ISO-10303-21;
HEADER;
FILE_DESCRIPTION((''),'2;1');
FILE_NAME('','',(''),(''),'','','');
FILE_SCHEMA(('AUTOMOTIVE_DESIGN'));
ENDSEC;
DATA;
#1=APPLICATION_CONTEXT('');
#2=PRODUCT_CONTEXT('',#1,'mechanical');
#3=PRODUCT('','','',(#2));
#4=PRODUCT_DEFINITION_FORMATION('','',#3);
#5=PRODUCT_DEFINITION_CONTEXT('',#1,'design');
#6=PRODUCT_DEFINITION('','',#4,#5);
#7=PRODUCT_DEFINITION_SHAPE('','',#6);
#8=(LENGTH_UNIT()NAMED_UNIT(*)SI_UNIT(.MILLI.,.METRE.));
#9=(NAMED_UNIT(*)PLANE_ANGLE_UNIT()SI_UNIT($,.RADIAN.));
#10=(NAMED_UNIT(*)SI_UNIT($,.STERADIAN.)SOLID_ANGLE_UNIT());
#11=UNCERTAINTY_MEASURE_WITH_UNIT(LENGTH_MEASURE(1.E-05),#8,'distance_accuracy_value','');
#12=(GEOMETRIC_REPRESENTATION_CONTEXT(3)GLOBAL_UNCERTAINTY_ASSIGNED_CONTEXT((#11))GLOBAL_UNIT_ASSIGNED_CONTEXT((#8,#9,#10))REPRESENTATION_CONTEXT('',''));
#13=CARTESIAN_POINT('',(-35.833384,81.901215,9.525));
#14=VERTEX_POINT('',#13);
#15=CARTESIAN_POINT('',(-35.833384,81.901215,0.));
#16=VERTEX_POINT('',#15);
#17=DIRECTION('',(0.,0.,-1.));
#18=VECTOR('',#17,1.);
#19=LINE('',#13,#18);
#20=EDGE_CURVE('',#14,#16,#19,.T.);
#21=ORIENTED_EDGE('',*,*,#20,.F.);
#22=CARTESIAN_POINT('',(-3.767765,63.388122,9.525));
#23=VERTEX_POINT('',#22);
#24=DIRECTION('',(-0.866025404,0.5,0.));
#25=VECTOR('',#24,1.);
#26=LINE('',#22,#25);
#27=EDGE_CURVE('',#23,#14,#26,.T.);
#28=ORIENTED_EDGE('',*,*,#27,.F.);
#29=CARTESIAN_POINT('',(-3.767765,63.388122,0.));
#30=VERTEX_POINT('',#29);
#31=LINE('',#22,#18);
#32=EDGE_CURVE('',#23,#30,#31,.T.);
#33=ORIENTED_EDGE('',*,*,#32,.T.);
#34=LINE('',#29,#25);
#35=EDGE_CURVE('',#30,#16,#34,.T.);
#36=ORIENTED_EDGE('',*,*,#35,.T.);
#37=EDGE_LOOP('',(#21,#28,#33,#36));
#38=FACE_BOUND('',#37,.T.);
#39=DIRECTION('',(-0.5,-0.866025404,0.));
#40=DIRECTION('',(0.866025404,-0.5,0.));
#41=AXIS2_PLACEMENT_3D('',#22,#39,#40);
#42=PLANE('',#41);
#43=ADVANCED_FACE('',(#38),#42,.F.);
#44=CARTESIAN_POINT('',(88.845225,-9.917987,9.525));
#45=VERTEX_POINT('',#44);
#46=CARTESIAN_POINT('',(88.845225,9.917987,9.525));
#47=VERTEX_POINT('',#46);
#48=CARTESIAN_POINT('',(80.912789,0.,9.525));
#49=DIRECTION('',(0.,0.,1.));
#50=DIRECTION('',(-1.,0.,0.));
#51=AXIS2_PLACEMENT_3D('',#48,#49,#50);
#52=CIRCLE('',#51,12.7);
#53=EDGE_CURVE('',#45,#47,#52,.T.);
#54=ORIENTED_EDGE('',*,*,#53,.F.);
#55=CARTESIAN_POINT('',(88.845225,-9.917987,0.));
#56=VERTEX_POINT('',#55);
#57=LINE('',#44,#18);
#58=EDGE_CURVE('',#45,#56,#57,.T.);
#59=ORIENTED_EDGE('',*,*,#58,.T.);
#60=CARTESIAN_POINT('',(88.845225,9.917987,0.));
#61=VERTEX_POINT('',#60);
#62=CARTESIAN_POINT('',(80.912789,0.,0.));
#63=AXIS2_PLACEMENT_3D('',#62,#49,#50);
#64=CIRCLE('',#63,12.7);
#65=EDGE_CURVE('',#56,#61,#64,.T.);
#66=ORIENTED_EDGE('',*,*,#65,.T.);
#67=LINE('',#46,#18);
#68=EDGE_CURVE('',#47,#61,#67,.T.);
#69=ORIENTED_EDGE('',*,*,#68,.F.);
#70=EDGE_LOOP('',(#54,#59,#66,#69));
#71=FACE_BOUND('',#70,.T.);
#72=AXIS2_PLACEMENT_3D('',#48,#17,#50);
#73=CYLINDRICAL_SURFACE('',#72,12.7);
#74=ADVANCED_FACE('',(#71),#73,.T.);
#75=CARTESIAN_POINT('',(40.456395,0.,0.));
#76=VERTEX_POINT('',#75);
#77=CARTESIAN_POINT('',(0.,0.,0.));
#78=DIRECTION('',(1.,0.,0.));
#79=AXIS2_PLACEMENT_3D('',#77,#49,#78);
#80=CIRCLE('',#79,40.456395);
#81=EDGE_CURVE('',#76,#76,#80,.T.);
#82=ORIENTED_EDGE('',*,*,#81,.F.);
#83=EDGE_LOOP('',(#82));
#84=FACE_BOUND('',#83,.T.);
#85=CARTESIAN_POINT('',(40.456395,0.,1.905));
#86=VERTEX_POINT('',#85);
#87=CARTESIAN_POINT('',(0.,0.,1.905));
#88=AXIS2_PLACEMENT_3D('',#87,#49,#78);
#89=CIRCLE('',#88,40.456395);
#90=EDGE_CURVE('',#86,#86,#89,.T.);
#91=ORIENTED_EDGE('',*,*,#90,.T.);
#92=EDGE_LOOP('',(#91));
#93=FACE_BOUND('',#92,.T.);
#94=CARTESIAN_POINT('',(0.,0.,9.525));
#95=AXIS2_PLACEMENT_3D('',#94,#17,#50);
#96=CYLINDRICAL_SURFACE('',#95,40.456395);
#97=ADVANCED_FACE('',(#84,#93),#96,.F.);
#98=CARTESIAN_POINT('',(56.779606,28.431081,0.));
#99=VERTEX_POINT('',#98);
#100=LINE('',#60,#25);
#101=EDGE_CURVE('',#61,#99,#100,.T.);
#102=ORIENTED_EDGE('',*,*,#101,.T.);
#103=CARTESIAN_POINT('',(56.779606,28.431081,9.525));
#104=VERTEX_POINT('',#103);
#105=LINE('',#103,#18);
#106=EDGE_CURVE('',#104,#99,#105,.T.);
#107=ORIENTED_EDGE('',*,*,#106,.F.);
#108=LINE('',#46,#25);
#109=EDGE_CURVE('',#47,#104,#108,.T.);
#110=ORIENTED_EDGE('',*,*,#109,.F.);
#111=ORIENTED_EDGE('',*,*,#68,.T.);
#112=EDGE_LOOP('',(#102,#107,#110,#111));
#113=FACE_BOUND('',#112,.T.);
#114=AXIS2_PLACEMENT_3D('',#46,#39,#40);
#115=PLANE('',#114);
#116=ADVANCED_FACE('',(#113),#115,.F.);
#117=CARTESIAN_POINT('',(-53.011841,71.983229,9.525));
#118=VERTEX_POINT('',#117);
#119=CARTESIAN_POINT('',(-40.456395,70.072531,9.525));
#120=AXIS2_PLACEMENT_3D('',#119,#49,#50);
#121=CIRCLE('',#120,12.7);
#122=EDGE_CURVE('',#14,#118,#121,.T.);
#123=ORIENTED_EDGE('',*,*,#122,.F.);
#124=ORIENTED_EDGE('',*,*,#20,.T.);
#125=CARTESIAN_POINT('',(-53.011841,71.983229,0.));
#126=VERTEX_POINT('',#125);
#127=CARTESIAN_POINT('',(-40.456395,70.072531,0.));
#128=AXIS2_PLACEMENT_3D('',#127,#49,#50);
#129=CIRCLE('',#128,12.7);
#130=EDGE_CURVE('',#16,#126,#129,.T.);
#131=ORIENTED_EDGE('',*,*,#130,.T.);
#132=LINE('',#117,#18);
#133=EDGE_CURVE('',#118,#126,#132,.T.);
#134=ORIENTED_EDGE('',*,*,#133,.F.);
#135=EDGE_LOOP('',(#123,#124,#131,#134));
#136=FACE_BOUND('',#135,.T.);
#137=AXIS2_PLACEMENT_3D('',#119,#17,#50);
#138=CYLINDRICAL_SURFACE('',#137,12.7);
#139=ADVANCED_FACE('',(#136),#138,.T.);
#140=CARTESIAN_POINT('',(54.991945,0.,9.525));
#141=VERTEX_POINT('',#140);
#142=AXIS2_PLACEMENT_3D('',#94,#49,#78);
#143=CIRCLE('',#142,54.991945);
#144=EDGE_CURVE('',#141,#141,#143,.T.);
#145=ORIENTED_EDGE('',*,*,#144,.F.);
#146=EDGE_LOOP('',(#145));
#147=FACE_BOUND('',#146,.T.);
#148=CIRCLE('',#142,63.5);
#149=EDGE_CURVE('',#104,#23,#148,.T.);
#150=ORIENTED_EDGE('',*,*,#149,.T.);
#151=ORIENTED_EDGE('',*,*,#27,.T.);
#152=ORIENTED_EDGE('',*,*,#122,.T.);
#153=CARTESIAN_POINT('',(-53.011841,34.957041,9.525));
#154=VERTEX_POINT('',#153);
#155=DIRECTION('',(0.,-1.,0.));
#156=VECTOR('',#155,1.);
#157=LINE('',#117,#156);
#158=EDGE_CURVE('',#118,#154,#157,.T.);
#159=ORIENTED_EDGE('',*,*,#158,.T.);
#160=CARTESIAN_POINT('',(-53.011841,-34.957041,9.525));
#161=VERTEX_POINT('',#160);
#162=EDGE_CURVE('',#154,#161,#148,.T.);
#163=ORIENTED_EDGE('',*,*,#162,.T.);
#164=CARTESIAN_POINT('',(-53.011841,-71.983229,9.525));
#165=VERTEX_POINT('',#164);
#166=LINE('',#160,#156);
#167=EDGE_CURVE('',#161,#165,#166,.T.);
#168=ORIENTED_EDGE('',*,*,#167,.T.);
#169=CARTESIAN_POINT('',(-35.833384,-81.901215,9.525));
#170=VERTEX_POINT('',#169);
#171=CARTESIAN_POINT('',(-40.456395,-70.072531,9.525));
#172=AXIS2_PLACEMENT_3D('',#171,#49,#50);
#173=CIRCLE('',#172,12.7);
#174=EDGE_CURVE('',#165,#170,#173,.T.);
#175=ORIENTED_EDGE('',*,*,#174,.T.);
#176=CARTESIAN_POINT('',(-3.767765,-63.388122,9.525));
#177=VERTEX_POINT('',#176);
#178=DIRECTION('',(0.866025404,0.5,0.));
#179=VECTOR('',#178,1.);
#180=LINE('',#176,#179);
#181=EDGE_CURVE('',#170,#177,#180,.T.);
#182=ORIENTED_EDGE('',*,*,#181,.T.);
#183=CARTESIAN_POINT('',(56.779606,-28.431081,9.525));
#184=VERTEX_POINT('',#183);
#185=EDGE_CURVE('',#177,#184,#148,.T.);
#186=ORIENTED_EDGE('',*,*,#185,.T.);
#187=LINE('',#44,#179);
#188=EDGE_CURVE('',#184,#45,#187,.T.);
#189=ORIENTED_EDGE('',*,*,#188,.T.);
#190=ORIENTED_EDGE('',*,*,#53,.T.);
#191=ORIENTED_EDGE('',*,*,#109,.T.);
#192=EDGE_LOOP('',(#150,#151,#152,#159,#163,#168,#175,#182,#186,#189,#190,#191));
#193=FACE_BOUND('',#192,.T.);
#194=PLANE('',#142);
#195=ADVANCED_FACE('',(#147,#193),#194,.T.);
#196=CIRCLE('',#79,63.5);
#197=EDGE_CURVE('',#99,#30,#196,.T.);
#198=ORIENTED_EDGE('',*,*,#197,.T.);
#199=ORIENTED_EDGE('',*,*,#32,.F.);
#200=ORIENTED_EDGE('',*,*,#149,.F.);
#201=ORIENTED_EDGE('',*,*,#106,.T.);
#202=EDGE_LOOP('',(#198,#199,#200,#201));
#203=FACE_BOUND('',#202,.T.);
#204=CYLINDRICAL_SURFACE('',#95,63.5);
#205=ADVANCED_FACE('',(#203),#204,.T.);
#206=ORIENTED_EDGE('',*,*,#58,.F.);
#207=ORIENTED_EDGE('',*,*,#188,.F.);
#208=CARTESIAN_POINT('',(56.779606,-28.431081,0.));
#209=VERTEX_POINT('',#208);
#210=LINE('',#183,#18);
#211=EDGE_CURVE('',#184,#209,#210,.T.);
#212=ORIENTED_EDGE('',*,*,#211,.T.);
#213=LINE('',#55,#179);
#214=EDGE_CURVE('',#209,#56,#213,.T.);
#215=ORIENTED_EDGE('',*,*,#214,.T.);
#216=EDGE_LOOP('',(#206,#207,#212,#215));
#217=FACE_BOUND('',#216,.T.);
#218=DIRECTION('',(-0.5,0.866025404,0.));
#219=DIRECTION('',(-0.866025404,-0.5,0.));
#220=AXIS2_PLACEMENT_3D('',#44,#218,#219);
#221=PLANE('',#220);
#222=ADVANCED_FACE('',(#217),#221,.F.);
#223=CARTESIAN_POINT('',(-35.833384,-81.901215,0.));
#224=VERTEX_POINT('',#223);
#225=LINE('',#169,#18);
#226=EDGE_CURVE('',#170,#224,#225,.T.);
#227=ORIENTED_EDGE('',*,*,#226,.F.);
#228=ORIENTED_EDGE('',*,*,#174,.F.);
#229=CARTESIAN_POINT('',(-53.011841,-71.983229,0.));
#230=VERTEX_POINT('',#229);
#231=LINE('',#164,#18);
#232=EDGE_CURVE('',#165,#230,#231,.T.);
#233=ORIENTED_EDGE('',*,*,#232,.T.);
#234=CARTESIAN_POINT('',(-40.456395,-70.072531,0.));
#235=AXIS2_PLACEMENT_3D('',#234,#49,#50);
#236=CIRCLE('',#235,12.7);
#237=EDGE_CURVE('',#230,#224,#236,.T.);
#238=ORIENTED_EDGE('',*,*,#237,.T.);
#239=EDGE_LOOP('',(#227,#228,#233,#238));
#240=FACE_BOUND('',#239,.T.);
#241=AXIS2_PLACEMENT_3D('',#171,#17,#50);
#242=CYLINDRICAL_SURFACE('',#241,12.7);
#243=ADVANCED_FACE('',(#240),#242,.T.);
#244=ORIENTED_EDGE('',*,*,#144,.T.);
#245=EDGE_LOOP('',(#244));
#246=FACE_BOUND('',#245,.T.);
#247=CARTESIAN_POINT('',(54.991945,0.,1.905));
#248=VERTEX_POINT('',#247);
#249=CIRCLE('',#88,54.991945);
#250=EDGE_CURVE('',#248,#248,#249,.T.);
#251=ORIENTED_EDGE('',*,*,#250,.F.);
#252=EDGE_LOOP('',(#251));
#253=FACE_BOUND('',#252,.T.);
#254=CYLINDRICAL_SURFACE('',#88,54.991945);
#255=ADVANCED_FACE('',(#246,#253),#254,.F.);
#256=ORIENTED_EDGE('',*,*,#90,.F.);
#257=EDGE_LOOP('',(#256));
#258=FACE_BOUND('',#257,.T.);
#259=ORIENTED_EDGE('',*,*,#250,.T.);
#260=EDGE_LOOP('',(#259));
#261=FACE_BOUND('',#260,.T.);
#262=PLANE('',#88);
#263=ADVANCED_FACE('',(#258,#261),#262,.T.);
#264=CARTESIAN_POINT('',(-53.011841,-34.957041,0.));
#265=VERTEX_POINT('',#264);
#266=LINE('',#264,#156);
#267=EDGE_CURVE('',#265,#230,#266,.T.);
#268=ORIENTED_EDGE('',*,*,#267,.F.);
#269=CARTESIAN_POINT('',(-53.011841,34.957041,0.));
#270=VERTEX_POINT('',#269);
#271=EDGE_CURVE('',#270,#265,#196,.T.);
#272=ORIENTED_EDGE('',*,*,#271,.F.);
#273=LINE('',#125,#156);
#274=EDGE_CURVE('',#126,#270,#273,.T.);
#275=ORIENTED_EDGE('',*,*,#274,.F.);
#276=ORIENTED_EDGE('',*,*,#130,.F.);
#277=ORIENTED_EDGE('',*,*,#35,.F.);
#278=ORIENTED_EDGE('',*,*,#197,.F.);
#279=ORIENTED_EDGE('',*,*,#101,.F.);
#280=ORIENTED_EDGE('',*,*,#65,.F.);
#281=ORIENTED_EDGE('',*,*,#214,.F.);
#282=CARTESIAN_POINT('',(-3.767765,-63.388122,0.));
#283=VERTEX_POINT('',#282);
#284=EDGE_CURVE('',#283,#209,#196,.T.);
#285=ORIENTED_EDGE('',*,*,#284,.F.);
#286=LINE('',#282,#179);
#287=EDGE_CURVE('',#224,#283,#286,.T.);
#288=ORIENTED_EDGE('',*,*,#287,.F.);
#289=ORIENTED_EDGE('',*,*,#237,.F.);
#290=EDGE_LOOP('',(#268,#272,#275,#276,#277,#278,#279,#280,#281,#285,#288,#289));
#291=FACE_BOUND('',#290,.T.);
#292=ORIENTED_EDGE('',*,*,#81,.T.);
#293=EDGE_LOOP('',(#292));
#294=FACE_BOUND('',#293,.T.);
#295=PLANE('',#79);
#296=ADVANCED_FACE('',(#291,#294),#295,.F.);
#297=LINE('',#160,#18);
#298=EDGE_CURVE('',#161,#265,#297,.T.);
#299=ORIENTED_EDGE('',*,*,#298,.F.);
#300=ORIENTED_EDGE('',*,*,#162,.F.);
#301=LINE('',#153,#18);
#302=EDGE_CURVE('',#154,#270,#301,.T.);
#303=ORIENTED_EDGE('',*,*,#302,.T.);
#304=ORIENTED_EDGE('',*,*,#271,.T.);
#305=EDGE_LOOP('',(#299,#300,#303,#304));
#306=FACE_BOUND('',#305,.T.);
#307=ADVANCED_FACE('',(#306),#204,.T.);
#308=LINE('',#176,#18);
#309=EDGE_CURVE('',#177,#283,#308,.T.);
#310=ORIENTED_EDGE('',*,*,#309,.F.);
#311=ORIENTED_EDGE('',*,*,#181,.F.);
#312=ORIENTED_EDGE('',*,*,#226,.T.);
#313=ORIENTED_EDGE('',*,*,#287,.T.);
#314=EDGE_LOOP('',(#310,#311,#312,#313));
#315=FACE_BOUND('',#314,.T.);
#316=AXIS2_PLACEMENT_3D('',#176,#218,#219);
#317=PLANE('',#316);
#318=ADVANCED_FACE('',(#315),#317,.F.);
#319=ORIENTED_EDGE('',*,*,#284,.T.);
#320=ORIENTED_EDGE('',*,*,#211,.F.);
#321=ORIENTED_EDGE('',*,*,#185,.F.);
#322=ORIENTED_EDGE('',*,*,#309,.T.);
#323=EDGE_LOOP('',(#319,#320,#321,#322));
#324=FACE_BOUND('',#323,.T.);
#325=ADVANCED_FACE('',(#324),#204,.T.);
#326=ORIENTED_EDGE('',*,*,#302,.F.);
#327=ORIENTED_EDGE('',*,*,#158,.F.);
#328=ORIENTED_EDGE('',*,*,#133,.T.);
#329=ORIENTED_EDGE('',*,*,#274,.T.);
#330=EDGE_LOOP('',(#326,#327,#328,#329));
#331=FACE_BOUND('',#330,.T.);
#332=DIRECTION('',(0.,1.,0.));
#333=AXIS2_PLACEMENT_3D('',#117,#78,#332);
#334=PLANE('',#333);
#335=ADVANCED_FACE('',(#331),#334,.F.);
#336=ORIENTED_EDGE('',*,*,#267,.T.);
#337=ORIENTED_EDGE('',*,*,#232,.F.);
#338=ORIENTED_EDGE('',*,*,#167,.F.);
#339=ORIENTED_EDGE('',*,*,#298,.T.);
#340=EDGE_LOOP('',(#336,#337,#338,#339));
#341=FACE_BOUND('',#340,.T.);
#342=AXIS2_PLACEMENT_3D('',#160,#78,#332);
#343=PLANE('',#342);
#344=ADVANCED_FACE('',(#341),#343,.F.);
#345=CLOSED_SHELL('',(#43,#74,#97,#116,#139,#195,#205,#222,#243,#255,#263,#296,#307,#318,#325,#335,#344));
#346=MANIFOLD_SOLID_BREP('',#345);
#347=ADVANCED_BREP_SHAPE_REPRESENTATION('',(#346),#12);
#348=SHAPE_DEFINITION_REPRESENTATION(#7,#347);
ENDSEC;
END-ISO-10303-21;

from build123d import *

# Parameters (mm, degrees)
SKETCH1_R          = 40.456394747
BASE_EXTRUDE_DEPTH = 9.525
SKETCH2_R          = 54.991944722
CUT_EXTRUDE1_DEPTH = 7.62


with BuildPart() as part:
    # Sketch1 → Base-Extrude (new body)
    with BuildSketch(Plane.XY):
        with BuildLine():
            Line((88.84522521, -9.917986872), (56.779605871, -28.43108083))
            ThreePointArc((56.779605871, -28.43108083), (31.75, -54.99261314), (-3.76776468, -63.388121516))
            Line((-3.76776468, -63.388121516), (-35.833384019, -81.901215473))
            ThreePointArc((-35.833384019, -81.901215473), (-46.806394747, -81.07105382), (-53.011841191, -71.983228601))
            Line((-53.011841191, -71.983228601), (-53.011841191, -34.957040686))
            ThreePointArc((-53.011841191, -34.957040686), (-63.5, 0), (-53.011841191, 34.957040686))
            Line((-53.011841191, 34.957040686), (-53.011841191, 71.983228601))
            ThreePointArc((-53.011841191, 71.983228601), (-46.806394747, 81.07105382), (-35.833384019, 81.901215473))
            Line((-35.833384019, 81.901215473), (-3.76776468, 63.388121516))
            ThreePointArc((-3.76776468, 63.388121516), (31.75, 54.99261314), (56.779605871, 28.43108083))
            Line((56.779605871, 28.43108083), (88.84522521, 9.917986872))
            ThreePointArc((88.84522521, 9.917986872), (93.612789493, 0), (88.84522521, -9.917986872))
        make_face()
        Circle(SKETCH1_R, mode=Mode.SUBTRACT)
    extrude(amount=BASE_EXTRUDE_DEPTH)

    # Sketch2 → Cut-Extrude1 (cut)
    with BuildSketch(Plane.XY.offset(9.525)):
        Circle(SKETCH2_R)
    extrude(amount=-CUT_EXTRUDE1_DEPTH, mode=Mode.SUBTRACT)


solid = part.part
